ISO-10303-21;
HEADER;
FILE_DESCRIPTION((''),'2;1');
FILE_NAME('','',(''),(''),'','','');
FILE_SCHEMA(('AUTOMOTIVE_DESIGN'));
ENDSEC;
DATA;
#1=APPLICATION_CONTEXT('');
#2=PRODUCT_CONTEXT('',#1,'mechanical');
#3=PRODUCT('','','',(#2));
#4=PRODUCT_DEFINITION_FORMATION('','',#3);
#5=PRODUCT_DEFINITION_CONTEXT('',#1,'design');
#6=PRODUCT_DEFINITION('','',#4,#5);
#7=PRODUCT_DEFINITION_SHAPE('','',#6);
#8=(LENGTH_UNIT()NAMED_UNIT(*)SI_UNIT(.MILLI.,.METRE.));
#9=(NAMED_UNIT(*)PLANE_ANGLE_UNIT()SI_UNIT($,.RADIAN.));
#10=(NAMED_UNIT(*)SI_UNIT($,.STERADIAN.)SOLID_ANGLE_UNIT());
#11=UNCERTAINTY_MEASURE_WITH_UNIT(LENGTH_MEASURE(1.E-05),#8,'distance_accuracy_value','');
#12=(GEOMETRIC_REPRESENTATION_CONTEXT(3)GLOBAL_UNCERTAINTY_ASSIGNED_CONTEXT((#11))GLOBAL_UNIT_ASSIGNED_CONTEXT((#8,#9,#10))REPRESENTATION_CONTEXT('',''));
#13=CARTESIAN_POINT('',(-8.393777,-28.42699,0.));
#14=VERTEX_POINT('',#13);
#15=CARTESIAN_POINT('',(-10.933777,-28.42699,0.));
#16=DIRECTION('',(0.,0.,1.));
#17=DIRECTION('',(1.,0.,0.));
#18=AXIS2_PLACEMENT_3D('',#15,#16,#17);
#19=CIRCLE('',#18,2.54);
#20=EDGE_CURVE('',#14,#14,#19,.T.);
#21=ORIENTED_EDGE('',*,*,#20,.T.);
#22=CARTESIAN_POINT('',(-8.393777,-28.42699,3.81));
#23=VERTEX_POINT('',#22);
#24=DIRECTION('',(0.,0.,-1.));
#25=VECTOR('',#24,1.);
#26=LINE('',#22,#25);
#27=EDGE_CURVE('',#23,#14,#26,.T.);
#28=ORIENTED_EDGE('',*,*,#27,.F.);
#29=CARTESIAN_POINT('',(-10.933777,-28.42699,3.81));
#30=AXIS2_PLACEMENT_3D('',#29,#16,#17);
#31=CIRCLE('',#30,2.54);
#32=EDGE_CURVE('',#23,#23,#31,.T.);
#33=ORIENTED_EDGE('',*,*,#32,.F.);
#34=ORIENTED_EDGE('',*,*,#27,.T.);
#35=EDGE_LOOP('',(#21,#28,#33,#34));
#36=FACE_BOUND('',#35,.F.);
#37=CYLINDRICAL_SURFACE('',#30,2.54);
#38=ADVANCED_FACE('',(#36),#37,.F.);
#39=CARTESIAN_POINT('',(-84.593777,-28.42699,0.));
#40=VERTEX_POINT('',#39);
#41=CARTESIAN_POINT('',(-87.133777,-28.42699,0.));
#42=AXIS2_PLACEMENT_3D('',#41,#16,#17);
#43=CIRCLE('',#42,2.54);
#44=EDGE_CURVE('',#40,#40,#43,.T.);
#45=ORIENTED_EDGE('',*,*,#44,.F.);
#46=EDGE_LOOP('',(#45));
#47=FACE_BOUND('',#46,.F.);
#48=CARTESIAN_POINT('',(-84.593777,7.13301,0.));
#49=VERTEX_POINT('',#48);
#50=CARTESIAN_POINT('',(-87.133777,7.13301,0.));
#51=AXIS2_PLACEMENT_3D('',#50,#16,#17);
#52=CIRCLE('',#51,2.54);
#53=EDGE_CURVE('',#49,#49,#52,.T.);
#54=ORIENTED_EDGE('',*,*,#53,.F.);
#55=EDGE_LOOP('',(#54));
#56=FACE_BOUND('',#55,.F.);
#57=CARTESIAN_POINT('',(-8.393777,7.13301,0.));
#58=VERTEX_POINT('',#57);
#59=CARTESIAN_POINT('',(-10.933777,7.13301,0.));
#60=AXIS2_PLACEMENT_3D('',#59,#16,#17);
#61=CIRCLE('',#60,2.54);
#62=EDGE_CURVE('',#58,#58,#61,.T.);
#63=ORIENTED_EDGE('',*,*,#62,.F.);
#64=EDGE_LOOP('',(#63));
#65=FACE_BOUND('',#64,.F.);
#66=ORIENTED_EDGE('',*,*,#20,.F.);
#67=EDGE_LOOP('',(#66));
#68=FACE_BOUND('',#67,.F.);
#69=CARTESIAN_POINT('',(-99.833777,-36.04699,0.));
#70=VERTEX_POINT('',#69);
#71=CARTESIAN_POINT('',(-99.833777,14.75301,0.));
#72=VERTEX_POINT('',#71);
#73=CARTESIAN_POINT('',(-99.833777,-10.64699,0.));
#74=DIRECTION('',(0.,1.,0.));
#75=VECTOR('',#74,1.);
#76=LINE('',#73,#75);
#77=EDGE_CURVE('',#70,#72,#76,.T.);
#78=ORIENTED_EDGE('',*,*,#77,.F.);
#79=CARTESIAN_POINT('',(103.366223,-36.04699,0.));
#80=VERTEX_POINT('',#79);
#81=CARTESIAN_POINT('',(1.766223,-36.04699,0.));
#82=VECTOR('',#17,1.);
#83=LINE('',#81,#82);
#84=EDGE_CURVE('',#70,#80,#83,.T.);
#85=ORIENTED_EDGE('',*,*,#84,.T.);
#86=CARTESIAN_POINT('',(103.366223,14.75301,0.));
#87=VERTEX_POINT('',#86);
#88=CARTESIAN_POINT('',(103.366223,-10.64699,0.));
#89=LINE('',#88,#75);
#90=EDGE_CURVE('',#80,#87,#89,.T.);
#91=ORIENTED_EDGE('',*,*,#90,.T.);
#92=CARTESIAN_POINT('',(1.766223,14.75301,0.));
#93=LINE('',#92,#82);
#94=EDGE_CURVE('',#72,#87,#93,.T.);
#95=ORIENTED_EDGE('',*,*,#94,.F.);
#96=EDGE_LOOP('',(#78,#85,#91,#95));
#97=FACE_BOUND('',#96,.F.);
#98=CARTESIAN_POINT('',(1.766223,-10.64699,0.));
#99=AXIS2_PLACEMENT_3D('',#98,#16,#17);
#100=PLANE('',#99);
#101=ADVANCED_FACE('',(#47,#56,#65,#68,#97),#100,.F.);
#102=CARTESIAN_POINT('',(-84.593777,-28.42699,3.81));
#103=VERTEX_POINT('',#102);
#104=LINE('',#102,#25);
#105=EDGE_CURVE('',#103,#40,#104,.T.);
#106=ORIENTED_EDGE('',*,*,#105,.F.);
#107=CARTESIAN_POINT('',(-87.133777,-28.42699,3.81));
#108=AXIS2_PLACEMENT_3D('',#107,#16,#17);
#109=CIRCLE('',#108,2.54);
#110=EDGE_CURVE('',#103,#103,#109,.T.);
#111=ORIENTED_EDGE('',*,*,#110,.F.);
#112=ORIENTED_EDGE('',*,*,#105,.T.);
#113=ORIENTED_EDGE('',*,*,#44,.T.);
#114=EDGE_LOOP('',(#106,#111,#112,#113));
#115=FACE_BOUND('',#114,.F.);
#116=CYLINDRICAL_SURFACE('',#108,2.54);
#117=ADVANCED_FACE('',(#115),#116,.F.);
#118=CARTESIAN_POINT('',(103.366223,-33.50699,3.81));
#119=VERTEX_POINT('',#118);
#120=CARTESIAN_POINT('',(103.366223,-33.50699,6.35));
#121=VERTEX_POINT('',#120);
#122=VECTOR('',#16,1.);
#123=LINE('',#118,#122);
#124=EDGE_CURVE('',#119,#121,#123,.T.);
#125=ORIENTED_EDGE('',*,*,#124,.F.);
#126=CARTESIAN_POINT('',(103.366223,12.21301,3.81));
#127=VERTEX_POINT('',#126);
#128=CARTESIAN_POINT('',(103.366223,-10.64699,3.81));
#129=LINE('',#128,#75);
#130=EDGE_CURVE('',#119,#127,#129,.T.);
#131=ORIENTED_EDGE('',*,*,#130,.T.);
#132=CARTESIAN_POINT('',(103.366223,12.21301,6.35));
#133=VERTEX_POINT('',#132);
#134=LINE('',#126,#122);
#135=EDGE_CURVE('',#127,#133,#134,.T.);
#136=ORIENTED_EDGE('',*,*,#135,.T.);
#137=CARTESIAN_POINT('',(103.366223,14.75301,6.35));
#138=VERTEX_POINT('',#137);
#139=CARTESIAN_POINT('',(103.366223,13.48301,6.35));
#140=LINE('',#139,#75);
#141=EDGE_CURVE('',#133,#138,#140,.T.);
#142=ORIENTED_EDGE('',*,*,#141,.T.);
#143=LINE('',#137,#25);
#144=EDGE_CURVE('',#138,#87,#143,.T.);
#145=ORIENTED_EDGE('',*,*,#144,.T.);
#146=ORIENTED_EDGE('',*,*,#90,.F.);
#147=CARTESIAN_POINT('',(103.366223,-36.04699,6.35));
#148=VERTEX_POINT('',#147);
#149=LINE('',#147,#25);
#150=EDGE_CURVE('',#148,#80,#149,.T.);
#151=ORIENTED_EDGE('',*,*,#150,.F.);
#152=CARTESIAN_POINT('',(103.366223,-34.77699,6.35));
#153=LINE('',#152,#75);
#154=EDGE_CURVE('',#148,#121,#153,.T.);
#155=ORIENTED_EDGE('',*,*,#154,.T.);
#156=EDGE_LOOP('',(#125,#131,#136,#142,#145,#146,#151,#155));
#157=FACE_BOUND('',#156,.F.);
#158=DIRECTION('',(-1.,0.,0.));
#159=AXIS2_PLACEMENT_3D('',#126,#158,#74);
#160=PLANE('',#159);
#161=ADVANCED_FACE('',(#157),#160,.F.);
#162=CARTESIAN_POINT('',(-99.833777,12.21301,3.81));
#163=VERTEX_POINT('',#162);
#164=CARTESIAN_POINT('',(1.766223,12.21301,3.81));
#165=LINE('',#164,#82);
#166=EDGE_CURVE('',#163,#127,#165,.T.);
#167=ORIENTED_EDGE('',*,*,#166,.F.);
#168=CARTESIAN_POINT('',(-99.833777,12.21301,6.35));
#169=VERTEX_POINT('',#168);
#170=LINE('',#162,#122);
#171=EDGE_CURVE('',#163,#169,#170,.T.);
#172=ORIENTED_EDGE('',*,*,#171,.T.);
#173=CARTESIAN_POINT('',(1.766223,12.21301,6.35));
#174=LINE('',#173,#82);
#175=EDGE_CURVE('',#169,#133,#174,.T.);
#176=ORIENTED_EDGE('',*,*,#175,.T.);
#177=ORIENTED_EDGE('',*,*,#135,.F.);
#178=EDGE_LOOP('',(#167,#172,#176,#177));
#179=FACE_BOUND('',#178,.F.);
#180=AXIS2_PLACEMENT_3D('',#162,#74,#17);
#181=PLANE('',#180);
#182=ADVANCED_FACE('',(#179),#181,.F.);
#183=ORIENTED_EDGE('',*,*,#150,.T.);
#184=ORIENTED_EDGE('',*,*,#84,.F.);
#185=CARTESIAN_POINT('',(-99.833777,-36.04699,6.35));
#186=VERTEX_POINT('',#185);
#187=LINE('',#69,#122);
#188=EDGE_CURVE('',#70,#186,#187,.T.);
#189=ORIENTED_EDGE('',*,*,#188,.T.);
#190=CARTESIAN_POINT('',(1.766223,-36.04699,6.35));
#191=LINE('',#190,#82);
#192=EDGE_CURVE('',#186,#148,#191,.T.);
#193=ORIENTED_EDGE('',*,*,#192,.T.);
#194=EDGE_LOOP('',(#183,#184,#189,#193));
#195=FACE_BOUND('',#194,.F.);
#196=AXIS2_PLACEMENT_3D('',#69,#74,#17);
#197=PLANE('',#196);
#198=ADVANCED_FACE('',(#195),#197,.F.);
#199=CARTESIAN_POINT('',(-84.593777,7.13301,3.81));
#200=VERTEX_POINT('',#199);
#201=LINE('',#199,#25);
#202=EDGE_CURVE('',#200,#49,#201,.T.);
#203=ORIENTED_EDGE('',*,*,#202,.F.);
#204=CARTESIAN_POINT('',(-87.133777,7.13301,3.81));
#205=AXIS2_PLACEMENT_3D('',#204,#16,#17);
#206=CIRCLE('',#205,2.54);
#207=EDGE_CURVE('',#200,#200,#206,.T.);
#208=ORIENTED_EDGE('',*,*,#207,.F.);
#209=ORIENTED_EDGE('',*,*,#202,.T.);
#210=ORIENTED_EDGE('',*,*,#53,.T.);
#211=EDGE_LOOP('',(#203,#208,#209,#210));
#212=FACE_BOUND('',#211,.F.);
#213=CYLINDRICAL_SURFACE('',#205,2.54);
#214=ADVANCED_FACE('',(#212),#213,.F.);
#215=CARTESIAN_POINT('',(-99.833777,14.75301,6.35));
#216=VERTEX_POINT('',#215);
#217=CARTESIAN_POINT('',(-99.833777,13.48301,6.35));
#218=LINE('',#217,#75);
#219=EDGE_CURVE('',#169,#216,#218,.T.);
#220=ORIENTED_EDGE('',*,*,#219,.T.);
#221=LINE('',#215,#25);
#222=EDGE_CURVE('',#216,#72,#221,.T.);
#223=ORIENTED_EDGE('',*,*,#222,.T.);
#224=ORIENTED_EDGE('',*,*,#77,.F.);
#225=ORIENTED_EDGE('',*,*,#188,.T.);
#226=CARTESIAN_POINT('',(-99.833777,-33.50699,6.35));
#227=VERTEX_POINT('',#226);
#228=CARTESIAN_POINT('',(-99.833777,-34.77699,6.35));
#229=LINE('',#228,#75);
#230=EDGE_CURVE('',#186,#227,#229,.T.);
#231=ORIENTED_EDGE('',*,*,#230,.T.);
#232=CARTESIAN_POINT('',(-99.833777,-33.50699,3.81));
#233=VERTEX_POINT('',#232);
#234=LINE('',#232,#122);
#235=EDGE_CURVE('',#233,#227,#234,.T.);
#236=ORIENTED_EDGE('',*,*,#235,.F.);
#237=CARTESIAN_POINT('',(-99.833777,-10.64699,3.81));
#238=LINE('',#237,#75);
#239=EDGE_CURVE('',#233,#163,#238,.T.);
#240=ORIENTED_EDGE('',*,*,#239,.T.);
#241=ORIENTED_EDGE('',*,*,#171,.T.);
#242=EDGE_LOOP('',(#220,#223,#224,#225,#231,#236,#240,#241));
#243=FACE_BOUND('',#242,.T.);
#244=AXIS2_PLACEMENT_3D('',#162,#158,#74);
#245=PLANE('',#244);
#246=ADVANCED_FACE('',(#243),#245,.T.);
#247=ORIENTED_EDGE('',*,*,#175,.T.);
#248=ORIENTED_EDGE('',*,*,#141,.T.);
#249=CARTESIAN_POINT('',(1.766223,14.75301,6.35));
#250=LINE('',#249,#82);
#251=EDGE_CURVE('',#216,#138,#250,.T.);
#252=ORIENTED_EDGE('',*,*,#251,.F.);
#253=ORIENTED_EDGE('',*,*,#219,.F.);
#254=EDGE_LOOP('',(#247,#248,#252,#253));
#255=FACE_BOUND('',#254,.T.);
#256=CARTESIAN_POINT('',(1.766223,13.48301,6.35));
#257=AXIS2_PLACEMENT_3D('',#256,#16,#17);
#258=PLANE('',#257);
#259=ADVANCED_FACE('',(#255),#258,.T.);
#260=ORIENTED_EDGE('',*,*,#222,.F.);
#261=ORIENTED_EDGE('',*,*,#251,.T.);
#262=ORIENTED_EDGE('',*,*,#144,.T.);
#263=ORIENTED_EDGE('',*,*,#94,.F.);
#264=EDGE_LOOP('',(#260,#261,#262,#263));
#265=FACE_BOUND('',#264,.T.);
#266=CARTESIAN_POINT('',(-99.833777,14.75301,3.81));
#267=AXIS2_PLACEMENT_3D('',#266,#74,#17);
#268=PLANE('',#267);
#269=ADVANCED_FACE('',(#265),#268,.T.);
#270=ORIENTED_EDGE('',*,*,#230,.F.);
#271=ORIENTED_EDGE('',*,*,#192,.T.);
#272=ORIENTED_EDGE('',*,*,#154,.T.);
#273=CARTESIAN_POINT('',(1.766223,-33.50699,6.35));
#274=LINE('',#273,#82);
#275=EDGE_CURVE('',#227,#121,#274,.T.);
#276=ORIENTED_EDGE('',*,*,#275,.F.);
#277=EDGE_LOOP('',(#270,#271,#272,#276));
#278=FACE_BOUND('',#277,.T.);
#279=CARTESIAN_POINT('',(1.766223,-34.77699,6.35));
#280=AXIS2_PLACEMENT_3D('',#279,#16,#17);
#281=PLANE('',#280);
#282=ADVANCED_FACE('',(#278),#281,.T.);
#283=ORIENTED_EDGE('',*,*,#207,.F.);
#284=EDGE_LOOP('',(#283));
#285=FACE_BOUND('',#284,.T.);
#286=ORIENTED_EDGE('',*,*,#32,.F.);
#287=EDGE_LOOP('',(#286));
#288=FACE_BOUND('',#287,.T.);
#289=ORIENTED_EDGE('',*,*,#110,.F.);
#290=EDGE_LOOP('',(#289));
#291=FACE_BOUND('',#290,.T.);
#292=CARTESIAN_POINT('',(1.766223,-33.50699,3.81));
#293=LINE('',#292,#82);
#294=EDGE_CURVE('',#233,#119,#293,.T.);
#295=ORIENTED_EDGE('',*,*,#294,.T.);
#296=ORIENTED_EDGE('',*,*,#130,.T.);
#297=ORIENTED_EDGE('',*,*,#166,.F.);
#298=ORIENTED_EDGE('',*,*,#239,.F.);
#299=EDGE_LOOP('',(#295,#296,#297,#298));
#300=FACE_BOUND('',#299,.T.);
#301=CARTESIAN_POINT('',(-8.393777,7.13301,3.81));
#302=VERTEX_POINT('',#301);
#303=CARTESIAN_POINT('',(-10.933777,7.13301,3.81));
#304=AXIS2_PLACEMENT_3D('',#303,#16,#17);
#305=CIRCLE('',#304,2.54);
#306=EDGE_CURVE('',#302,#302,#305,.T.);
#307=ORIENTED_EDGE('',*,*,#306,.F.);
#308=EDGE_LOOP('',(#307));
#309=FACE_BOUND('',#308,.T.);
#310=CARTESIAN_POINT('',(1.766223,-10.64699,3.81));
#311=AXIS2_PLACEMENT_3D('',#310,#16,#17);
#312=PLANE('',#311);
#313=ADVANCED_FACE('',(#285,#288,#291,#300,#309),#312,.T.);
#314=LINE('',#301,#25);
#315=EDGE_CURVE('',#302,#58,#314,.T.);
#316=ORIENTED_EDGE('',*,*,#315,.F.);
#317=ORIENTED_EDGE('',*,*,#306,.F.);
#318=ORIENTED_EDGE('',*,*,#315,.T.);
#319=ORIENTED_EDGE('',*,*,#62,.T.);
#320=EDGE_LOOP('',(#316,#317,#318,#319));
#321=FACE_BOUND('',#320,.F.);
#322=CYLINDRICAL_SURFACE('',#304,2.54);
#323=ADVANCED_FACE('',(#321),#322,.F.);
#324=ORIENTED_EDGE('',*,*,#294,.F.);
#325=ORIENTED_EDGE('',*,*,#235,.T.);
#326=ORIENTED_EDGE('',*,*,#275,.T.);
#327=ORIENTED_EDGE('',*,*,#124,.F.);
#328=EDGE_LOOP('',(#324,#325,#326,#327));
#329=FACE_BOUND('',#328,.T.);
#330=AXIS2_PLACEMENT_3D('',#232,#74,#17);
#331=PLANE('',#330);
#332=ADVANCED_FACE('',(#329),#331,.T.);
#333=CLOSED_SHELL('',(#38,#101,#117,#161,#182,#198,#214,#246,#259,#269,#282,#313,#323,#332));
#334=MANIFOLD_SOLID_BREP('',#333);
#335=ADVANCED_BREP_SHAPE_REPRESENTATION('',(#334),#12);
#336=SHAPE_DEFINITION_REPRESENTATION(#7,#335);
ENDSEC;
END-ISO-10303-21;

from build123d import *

# Parameters (mm, degrees)
F0_W     = 203.2
F0_H     = 50.8
F1_DEPTH = 3.81
F2_W     = 203.2
F2_H     = 2.54
F3_DEPTH = 2.54
F4_R     = 2.54
F5_DEPTH = 3.81


with BuildPart() as f1:
    # F0 (on Top) → F1 (new body)
    with BuildSketch(Plane.XY):
        with Locations((1.766223, -10.64699)):
            Rectangle(F0_W, F0_H)
    extrude(amount=F1_DEPTH)

    # F2 (on face) → F3 (join)
    with BuildSketch(Plane.XY.offset(3.81)):
        with Locations((1.766223, 13.48301)):
            Rectangle(F2_W, F2_H)
        with Locations((1.766223, -34.77699)):
            Rectangle(F2_W, F2_H)
    extrude(amount=F3_DEPTH)

    # F4 (on face) → F5 (cut)
    with BuildSketch(Plane.XY.offset(3.81)):
        with Locations((-87.133777, 7.13301)):
            Circle(F4_R)
        with Locations((-87.133777, -28.42699)):
            Circle(F4_R)
        with Locations((-10.933777, 7.13301)):
            Circle(F4_R)
        with Locations((-10.933777, -28.42699)):
            Circle(F4_R)
    extrude(amount=-F5_DEPTH, mode=Mode.SUBTRACT)


solid = f1.part
